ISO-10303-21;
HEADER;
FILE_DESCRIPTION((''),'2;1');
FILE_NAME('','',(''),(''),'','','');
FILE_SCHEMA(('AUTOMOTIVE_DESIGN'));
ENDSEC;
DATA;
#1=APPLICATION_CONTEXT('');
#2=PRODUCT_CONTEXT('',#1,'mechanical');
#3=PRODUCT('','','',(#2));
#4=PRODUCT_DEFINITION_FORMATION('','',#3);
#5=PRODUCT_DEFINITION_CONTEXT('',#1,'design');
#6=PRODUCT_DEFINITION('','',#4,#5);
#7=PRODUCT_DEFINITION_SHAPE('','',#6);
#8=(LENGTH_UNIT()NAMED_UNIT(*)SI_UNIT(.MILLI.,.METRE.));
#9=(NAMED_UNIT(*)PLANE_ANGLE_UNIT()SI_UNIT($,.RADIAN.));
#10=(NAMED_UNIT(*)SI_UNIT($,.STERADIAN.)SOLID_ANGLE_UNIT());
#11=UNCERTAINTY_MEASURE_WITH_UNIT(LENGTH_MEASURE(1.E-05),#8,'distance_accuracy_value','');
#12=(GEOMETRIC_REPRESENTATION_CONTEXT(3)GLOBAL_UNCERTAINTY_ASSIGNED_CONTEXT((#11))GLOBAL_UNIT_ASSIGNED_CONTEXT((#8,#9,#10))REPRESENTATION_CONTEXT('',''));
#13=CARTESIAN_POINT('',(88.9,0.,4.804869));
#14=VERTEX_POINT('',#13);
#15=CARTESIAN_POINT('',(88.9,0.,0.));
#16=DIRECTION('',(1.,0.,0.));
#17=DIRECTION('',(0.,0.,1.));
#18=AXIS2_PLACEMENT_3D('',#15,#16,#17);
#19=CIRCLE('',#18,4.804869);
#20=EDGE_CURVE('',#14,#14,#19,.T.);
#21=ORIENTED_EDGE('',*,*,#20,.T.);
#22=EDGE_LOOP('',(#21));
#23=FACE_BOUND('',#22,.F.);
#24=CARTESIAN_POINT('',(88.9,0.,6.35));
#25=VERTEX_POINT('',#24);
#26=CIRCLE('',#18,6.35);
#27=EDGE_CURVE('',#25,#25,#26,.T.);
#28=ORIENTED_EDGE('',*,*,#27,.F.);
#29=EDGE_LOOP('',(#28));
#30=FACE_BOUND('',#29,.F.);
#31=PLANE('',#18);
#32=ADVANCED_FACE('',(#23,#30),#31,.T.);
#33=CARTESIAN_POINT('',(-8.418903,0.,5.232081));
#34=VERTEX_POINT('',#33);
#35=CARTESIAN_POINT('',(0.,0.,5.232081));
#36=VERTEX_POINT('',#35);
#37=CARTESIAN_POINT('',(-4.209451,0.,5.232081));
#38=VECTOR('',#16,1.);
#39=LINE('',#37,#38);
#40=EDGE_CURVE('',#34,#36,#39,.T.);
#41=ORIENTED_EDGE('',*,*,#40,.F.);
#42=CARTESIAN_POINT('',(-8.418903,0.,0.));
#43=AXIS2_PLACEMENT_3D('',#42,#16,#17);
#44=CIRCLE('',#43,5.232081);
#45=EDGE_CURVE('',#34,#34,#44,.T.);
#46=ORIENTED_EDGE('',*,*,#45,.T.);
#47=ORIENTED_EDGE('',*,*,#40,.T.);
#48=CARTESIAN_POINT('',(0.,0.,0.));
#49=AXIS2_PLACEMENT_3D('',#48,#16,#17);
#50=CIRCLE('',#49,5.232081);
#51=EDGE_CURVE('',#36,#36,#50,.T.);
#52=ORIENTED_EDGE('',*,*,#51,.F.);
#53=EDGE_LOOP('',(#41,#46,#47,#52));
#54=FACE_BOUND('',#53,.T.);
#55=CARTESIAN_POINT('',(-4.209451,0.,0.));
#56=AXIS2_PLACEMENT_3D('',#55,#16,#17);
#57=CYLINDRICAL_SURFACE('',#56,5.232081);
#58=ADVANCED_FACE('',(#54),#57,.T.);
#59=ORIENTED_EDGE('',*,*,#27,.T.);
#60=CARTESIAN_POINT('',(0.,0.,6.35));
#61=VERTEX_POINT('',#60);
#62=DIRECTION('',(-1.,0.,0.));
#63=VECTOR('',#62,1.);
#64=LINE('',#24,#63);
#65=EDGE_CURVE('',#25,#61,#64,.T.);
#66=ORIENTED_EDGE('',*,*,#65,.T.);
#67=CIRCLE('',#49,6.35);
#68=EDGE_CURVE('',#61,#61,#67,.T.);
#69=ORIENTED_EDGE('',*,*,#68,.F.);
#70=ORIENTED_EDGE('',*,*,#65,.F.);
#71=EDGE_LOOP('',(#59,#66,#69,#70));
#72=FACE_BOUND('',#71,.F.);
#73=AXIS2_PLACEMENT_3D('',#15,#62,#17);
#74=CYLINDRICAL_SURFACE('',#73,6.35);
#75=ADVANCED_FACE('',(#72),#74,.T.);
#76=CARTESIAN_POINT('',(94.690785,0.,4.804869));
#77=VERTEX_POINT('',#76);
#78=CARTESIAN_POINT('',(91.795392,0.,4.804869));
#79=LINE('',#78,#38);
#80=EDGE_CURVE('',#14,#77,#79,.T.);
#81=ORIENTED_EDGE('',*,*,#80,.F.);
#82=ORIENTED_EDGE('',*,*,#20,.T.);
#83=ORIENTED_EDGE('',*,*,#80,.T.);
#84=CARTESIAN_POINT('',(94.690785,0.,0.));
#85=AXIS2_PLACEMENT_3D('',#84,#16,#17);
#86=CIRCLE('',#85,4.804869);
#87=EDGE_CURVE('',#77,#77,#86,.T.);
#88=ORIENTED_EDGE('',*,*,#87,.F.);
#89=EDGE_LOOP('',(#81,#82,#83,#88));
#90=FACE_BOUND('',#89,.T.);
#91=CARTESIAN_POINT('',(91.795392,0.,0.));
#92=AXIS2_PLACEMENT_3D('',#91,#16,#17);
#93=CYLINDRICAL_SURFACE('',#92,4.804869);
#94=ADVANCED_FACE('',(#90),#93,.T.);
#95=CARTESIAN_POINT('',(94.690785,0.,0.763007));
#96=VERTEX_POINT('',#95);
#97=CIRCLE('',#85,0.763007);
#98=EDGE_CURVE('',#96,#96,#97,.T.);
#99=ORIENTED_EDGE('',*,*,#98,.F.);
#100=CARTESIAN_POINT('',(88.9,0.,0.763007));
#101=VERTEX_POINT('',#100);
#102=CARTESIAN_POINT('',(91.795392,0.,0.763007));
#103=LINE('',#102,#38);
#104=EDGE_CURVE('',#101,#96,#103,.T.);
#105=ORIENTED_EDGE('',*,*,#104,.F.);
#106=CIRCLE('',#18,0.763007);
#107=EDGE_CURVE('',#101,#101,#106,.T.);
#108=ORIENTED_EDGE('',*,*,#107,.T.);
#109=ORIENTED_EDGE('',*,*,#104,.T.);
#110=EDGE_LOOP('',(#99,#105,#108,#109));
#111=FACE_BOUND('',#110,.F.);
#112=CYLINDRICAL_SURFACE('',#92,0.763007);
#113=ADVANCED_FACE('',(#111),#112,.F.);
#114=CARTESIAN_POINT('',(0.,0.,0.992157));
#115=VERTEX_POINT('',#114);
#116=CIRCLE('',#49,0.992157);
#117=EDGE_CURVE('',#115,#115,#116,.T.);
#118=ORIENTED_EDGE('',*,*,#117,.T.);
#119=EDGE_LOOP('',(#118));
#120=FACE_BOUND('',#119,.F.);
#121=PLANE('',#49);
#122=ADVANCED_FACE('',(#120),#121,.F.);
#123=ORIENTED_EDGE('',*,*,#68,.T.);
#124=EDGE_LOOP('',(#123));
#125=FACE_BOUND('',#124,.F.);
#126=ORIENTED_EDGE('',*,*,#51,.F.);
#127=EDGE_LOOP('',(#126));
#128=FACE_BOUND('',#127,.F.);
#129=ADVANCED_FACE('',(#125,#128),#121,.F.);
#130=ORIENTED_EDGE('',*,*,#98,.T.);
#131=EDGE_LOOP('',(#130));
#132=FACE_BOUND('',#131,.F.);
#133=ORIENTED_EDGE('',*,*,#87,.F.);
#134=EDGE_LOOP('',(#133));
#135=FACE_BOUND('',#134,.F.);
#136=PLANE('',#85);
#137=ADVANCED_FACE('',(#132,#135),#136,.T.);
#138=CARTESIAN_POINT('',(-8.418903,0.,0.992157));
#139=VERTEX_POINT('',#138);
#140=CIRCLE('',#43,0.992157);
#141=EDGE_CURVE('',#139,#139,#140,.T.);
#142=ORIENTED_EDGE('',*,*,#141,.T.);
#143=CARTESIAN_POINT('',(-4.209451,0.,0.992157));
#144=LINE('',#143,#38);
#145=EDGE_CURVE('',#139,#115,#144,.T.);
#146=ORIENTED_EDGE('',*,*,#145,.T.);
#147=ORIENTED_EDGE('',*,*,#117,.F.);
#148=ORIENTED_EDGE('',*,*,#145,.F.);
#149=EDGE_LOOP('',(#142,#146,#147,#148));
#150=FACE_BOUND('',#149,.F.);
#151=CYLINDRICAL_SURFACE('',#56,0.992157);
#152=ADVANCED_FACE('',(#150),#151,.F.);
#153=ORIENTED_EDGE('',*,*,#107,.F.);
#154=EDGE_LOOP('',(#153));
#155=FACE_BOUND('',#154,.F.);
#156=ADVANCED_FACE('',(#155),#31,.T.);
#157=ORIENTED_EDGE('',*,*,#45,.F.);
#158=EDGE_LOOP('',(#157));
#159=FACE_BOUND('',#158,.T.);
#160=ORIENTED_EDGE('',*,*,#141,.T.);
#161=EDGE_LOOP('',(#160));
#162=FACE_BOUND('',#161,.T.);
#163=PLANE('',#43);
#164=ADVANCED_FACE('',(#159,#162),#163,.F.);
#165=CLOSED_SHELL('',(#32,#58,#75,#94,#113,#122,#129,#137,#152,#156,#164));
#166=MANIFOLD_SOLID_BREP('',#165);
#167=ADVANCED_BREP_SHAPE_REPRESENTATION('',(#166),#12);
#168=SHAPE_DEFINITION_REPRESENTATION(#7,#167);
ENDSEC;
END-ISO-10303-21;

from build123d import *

# Parameters (mm, degrees)
F0_W   = 8.4189027548
F0_H   = 4.2399241356
F0_W_2 = 5.790784812
F0_H_2 = 4.041862092


with BuildPart() as f1:
    # F0 (on Front) → F1 (revolve)
    with BuildSketch(Plane.XZ):
        Polygon((0, 0.9921566816), (0, 0), (88.9, 0), (88.9, 0.7630070904), (88.9, 4.8048691824), (88.9, 6.35), (0, 6.35), (0, 5.2320808172), align=None)
        with Locations((-4.2094513774, 3.1121187494)):
            Rectangle(F0_W, F0_H)
        with Locations((91.795392406, 2.7839381364)):
            Rectangle(F0_W_2, F0_H_2)
    revolve(axis=Axis((44.45, 0, 0), (1, 0, 0)))


solid = f1.part
